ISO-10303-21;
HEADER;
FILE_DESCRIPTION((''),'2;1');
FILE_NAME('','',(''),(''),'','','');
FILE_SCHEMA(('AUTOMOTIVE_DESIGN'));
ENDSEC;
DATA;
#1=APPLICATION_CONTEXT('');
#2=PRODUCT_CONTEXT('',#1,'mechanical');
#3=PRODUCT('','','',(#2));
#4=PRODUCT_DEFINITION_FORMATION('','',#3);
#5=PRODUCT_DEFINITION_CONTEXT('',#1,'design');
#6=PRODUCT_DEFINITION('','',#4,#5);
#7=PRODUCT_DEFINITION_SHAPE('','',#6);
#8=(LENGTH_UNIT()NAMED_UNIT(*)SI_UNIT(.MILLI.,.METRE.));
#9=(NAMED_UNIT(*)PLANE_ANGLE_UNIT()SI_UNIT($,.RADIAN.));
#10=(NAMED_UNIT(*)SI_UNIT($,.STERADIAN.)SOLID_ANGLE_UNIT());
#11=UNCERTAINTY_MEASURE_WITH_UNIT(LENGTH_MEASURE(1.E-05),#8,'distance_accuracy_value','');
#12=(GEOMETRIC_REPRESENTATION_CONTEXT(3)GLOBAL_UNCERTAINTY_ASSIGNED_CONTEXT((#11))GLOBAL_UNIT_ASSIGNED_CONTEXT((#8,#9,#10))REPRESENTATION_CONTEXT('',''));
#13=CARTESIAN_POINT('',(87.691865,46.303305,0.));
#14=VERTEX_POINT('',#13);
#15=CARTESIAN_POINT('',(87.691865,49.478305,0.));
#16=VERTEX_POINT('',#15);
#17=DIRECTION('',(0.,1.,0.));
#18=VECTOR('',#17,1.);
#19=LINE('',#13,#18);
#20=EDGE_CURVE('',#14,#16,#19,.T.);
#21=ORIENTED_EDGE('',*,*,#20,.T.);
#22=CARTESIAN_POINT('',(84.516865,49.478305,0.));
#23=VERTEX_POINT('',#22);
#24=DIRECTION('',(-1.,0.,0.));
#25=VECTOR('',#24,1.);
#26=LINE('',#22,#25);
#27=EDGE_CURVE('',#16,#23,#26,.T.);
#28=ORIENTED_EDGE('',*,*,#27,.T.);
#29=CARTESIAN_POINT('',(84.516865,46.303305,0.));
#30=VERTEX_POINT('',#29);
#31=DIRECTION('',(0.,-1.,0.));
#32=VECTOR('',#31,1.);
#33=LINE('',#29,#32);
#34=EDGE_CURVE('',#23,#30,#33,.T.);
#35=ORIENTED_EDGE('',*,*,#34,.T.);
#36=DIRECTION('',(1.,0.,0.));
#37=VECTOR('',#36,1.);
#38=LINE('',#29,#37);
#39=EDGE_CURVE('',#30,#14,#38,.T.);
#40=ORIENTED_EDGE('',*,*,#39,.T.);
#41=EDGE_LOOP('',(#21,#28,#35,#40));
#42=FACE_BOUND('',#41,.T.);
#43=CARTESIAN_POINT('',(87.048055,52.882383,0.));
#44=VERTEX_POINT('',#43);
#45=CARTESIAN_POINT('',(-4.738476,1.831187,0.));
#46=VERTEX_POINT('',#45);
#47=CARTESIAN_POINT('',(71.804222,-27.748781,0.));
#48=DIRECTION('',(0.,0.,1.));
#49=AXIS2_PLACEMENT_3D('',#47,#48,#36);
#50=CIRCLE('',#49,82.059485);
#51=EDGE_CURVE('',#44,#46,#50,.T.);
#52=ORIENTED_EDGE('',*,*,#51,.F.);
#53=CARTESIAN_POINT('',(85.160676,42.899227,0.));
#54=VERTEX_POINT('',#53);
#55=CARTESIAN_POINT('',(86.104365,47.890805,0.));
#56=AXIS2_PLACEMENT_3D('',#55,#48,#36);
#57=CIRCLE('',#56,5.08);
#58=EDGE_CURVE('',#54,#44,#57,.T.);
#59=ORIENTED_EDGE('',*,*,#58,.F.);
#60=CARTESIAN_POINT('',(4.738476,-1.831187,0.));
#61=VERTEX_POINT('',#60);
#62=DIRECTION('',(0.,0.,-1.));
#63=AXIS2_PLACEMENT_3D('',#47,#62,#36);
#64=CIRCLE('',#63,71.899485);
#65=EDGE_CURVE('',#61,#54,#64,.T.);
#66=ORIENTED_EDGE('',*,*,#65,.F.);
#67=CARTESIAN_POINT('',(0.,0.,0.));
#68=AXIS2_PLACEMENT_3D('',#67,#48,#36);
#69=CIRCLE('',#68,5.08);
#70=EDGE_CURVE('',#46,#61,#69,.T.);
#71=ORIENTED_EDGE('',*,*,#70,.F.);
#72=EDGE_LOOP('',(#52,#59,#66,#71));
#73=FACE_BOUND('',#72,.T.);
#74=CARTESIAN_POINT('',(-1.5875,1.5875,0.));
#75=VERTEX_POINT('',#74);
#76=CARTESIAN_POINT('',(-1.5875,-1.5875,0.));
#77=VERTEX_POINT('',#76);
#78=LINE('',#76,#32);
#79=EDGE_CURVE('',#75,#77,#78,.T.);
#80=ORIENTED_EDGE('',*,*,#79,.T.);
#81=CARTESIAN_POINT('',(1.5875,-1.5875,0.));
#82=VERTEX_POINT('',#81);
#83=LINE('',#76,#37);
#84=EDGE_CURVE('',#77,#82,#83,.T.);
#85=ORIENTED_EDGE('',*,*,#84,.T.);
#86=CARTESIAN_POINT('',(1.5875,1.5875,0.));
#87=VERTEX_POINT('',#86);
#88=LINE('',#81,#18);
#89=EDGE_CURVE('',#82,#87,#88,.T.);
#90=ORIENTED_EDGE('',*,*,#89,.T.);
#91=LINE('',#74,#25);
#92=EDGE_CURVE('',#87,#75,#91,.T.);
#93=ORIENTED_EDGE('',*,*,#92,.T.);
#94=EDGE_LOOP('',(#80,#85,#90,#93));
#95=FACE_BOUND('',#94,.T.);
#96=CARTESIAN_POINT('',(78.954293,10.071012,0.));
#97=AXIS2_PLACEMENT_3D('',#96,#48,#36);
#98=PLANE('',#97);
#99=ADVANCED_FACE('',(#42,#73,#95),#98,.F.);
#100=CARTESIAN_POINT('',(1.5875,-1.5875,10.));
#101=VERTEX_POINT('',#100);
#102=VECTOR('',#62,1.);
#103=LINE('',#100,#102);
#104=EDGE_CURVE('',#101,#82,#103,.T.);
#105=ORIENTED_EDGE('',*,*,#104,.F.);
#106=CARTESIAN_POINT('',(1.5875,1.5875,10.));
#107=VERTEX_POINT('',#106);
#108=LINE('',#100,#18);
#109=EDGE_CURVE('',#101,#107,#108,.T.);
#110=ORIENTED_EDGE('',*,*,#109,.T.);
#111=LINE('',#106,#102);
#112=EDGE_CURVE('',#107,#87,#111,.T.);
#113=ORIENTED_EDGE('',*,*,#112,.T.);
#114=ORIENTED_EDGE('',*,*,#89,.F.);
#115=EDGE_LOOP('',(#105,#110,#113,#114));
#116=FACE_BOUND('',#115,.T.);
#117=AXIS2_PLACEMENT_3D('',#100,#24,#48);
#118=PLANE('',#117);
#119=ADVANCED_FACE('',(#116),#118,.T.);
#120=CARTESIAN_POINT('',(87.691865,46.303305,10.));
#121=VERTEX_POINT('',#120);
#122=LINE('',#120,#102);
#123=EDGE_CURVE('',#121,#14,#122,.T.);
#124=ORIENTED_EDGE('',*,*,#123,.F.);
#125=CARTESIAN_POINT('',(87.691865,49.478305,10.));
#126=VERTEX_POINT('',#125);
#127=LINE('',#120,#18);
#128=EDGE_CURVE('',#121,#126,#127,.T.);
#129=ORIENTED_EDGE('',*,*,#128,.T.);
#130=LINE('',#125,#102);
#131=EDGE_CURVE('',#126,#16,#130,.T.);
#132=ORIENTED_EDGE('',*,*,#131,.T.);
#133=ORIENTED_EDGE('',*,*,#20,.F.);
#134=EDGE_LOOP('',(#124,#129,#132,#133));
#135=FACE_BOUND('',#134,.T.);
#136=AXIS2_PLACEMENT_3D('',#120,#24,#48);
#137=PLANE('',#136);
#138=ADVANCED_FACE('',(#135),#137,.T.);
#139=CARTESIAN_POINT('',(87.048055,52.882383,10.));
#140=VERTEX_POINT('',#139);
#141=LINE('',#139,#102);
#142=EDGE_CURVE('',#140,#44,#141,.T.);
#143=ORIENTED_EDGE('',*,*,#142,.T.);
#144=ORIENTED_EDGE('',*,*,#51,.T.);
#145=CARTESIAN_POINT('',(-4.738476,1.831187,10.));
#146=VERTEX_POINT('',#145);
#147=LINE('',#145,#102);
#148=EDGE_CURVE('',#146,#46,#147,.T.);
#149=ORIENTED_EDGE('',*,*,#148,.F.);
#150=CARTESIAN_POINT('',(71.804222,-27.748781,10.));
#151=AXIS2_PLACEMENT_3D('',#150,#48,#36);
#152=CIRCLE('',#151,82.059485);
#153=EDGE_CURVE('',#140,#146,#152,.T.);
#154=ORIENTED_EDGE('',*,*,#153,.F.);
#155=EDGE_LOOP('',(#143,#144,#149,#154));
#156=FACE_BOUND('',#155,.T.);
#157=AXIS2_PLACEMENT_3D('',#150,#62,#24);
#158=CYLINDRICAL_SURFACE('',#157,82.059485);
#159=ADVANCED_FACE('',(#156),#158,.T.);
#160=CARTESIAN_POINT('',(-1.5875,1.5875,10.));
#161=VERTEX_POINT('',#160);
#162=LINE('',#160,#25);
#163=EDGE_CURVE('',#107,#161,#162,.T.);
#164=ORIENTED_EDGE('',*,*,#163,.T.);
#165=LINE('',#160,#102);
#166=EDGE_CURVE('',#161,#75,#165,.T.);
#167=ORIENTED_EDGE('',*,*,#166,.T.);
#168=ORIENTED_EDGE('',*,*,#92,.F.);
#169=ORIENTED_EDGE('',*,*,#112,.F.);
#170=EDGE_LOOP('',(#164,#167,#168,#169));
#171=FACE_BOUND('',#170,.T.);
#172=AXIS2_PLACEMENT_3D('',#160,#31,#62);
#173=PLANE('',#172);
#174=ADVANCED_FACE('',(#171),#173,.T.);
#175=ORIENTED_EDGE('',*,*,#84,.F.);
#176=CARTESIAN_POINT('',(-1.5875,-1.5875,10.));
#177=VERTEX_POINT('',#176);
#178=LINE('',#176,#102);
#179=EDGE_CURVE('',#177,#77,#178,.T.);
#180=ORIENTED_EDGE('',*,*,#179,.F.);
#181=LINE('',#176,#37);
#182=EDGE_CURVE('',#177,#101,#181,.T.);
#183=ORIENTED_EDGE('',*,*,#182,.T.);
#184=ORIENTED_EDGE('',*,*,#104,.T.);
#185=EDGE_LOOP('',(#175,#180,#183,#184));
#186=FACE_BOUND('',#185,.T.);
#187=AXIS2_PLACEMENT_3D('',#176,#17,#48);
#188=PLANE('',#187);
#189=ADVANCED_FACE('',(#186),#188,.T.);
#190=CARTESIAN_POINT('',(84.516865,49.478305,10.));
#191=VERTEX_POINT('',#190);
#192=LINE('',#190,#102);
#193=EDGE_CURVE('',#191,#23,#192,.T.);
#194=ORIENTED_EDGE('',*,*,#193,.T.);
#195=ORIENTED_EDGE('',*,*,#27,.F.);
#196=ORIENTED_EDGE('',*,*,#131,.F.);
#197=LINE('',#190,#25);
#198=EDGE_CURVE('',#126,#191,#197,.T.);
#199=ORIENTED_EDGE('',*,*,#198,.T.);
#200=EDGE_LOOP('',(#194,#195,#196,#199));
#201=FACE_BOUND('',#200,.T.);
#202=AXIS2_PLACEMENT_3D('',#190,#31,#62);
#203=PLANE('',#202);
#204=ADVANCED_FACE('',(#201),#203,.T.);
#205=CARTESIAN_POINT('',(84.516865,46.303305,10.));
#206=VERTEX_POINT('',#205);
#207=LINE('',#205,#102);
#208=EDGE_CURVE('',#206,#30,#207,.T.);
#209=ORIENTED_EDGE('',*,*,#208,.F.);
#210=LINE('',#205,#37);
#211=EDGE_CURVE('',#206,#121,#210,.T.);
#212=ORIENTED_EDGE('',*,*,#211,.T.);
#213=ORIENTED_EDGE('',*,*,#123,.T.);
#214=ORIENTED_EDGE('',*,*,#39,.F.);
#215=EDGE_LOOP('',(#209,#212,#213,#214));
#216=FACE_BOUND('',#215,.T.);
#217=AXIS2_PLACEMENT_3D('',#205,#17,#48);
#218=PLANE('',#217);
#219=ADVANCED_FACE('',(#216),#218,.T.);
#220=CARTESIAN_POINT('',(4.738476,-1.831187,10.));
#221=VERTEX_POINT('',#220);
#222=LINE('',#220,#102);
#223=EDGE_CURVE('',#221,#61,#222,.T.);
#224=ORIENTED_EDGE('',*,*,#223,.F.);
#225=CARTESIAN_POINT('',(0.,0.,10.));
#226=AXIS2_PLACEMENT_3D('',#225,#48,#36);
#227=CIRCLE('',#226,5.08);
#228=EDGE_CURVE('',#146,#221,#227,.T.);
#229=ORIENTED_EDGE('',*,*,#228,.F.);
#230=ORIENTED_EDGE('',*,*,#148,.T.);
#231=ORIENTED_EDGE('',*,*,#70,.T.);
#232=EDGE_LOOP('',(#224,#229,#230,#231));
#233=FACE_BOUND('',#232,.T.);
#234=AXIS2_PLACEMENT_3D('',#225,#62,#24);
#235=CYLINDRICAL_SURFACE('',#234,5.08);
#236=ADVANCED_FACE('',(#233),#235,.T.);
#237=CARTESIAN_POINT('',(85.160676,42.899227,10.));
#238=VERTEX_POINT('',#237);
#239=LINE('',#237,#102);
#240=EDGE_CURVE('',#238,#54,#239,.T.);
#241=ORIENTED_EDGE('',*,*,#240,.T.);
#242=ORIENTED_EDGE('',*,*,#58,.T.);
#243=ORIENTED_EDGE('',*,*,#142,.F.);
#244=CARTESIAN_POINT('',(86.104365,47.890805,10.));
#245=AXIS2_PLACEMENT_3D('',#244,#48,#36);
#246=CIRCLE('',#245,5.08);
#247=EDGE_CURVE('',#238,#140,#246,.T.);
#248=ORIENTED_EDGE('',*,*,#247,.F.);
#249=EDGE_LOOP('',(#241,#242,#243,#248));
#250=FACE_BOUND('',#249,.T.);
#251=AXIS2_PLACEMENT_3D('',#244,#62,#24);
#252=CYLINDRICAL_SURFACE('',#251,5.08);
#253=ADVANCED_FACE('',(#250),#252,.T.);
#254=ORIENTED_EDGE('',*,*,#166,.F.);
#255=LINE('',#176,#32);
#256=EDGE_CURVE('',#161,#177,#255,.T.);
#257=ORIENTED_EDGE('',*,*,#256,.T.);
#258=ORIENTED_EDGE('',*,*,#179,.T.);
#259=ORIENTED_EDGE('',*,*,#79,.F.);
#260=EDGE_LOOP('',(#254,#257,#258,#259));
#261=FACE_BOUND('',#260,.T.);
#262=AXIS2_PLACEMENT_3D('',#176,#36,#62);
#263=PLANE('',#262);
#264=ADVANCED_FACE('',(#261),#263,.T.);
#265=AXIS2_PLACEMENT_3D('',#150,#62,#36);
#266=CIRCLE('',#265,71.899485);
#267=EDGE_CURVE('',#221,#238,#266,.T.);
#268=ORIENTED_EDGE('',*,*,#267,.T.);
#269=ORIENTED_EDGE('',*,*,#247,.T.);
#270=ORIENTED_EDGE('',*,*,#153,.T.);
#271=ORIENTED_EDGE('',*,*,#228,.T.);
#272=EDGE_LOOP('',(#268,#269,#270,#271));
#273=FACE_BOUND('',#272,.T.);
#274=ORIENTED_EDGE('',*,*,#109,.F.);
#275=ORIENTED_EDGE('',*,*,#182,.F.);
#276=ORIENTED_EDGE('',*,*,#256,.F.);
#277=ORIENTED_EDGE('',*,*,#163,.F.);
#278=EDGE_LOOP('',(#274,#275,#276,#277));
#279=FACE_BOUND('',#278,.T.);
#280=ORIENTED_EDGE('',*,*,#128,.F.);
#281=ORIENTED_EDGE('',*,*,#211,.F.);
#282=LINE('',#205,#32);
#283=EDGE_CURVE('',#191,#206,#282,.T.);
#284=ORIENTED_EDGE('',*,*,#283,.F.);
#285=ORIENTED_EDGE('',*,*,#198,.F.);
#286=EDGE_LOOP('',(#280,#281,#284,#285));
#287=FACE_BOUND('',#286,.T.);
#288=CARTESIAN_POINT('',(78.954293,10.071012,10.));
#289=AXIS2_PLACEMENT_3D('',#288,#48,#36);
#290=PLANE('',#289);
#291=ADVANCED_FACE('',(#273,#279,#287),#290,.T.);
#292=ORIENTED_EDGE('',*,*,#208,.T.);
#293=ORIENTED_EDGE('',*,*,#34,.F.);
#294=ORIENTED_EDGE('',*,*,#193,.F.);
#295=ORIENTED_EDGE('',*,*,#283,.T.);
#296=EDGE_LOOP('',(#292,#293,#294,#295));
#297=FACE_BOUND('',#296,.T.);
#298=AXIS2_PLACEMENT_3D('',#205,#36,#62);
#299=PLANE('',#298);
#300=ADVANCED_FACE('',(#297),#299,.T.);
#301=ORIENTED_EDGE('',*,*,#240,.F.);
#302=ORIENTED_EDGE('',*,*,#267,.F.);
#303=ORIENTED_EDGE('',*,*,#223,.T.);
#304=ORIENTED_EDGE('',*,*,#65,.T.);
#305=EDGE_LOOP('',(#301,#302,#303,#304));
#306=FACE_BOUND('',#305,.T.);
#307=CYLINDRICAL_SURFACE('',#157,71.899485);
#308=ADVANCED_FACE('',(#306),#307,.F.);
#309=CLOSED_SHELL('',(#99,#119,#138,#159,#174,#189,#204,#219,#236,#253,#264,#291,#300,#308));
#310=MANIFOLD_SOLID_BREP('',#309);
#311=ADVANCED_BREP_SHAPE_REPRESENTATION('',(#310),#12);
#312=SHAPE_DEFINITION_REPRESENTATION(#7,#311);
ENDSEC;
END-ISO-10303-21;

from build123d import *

# Parameters (mm, degrees)
SKETCH1_W           = 3.175
SKETCH1_H           = 3.175
BOSS_EXTRUDE1_DEPTH = 10


with BuildPart() as part:
    # Sketch1 → Boss-Extrude1 (new body)
    with BuildSketch(Plane.XY):
        with BuildLine():
            ThreePointArc((87.048054742, 52.882382784), (31.917584067, 43.964642964), (-4.738476051, 1.831186697))
            ThreePointArc((-4.738476051, 1.831186697), (-1.831186697, -4.738476051), (4.738476051, -1.831186697))
            ThreePointArc((4.738476051, -1.831186697), (36.856053246, 35.085615868), (85.160675784, 42.899226937))
            ThreePointArc((85.160675784, 42.899226937), (91.095943187, 46.947115382), (87.048054742, 52.882382784))
        make_face()
        Rectangle(SKETCH1_W, SKETCH1_H, mode=Mode.SUBTRACT)
        with Locations((86.104365263, 47.890804861)):
            Rectangle(SKETCH1_W, SKETCH1_H, mode=Mode.SUBTRACT)
    extrude(amount=BOSS_EXTRUDE1_DEPTH)


solid = part.part
